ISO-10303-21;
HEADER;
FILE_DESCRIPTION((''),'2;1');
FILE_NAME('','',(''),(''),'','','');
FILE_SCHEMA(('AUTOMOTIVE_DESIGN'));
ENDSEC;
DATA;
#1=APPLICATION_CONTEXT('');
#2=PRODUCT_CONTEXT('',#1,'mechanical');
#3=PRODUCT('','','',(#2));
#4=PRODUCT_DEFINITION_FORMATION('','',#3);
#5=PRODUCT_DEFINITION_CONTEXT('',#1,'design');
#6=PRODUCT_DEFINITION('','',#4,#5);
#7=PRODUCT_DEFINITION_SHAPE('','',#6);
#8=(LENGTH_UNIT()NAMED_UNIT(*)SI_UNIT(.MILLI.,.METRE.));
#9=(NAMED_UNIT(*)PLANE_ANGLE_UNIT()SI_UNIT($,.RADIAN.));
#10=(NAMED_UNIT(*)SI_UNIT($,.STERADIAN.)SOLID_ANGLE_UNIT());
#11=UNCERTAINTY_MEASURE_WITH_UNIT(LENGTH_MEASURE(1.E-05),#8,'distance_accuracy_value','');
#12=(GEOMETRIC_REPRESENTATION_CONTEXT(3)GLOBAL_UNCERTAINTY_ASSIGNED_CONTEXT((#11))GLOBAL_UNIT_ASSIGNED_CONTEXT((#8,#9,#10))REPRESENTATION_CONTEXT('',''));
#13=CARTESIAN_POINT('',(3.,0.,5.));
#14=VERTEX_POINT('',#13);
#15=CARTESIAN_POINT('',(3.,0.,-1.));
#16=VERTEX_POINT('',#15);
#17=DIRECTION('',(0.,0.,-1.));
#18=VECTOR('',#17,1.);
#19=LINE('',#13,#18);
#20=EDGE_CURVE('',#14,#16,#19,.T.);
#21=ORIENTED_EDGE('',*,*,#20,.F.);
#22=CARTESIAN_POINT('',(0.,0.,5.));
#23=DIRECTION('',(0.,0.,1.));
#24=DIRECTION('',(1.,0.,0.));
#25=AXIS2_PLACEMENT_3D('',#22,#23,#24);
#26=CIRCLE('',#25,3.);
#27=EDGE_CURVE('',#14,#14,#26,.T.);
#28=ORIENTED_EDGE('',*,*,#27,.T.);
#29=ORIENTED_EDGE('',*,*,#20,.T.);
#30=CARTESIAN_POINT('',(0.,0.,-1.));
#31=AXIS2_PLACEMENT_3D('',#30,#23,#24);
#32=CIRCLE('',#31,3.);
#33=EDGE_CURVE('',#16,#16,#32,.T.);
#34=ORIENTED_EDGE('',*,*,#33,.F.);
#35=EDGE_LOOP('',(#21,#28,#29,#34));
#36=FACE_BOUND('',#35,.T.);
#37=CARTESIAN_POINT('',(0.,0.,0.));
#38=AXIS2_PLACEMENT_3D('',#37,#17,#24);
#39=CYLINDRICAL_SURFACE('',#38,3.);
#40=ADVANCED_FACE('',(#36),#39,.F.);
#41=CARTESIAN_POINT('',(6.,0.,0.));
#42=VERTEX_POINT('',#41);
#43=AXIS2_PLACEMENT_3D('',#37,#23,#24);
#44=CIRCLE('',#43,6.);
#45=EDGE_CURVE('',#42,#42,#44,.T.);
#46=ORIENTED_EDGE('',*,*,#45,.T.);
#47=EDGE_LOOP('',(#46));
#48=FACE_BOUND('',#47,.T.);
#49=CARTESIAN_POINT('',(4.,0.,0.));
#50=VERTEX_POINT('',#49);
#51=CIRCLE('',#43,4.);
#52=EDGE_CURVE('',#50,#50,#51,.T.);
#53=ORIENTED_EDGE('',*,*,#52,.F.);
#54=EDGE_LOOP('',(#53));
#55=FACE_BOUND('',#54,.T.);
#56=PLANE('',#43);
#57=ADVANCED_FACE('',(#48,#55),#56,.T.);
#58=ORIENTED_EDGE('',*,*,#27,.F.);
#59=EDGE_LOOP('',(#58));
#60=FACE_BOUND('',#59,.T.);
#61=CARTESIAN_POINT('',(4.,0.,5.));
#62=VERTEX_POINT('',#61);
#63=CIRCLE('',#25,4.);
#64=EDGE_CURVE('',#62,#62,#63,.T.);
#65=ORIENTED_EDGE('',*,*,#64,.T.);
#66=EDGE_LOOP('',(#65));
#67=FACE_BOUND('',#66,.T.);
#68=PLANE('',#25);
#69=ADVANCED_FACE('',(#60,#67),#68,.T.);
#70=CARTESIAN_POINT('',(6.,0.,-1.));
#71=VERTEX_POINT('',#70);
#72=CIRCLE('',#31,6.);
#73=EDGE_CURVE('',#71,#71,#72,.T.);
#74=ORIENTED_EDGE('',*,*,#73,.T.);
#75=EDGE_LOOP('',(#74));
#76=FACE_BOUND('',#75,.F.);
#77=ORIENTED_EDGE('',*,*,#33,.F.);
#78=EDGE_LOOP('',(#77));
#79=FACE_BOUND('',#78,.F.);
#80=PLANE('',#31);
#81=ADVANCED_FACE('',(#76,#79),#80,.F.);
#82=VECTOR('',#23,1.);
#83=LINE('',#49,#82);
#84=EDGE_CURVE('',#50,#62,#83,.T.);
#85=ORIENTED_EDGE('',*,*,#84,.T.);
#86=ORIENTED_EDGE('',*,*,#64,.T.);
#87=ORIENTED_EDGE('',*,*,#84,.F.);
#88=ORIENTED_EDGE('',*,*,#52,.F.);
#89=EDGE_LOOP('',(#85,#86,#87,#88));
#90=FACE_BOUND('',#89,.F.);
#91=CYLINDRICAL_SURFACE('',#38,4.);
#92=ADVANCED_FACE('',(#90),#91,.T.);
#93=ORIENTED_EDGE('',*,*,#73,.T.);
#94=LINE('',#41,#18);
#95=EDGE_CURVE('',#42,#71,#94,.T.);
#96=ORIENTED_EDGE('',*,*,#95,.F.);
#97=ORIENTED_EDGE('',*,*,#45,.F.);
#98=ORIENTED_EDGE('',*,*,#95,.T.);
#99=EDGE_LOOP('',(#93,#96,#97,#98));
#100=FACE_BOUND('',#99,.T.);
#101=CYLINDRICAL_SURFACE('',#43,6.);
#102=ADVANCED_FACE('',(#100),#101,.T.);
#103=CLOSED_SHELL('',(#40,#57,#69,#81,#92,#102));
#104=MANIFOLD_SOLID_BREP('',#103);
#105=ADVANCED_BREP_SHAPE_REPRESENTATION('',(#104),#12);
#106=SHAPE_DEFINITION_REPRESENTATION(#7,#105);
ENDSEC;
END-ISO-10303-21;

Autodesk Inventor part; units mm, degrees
ref_plane "YZ Plane" through (0, 0, 0) normal (1, 0, 0) x (0, 1, 0)
ref_plane "XZ Plane" through (0, 0, 0) normal (0, 1, 0) x (-1, 0, 0)
ref_plane "XY Plane" through (0, 0, 0) normal (0, 0, 1) x (1, 0, 0)
sketch "スケッチ1" plane through (0, 0, 0) normal (0, 0, 1) x (1, 0, 0)
  circle A0 centre (0, 0) radius 3
  circle A1 centre (0, 0) radius 4
  circle A2 centre (0, 0) radius 6
  dimension "d0" = 6
  dimension "d1" = 8
  dimension "d2" = 12
extrude "押し出し1" add sketch "スケッチ1" along normal blind 5 contours A1
extrude "押し出し2" add sketch "スケッチ1" against normal blind 1 contours A1 | A2
properties part number "オイレス　6-8-12　フランジ付き　（L=5）" material "アセタール樹脂、黒"
